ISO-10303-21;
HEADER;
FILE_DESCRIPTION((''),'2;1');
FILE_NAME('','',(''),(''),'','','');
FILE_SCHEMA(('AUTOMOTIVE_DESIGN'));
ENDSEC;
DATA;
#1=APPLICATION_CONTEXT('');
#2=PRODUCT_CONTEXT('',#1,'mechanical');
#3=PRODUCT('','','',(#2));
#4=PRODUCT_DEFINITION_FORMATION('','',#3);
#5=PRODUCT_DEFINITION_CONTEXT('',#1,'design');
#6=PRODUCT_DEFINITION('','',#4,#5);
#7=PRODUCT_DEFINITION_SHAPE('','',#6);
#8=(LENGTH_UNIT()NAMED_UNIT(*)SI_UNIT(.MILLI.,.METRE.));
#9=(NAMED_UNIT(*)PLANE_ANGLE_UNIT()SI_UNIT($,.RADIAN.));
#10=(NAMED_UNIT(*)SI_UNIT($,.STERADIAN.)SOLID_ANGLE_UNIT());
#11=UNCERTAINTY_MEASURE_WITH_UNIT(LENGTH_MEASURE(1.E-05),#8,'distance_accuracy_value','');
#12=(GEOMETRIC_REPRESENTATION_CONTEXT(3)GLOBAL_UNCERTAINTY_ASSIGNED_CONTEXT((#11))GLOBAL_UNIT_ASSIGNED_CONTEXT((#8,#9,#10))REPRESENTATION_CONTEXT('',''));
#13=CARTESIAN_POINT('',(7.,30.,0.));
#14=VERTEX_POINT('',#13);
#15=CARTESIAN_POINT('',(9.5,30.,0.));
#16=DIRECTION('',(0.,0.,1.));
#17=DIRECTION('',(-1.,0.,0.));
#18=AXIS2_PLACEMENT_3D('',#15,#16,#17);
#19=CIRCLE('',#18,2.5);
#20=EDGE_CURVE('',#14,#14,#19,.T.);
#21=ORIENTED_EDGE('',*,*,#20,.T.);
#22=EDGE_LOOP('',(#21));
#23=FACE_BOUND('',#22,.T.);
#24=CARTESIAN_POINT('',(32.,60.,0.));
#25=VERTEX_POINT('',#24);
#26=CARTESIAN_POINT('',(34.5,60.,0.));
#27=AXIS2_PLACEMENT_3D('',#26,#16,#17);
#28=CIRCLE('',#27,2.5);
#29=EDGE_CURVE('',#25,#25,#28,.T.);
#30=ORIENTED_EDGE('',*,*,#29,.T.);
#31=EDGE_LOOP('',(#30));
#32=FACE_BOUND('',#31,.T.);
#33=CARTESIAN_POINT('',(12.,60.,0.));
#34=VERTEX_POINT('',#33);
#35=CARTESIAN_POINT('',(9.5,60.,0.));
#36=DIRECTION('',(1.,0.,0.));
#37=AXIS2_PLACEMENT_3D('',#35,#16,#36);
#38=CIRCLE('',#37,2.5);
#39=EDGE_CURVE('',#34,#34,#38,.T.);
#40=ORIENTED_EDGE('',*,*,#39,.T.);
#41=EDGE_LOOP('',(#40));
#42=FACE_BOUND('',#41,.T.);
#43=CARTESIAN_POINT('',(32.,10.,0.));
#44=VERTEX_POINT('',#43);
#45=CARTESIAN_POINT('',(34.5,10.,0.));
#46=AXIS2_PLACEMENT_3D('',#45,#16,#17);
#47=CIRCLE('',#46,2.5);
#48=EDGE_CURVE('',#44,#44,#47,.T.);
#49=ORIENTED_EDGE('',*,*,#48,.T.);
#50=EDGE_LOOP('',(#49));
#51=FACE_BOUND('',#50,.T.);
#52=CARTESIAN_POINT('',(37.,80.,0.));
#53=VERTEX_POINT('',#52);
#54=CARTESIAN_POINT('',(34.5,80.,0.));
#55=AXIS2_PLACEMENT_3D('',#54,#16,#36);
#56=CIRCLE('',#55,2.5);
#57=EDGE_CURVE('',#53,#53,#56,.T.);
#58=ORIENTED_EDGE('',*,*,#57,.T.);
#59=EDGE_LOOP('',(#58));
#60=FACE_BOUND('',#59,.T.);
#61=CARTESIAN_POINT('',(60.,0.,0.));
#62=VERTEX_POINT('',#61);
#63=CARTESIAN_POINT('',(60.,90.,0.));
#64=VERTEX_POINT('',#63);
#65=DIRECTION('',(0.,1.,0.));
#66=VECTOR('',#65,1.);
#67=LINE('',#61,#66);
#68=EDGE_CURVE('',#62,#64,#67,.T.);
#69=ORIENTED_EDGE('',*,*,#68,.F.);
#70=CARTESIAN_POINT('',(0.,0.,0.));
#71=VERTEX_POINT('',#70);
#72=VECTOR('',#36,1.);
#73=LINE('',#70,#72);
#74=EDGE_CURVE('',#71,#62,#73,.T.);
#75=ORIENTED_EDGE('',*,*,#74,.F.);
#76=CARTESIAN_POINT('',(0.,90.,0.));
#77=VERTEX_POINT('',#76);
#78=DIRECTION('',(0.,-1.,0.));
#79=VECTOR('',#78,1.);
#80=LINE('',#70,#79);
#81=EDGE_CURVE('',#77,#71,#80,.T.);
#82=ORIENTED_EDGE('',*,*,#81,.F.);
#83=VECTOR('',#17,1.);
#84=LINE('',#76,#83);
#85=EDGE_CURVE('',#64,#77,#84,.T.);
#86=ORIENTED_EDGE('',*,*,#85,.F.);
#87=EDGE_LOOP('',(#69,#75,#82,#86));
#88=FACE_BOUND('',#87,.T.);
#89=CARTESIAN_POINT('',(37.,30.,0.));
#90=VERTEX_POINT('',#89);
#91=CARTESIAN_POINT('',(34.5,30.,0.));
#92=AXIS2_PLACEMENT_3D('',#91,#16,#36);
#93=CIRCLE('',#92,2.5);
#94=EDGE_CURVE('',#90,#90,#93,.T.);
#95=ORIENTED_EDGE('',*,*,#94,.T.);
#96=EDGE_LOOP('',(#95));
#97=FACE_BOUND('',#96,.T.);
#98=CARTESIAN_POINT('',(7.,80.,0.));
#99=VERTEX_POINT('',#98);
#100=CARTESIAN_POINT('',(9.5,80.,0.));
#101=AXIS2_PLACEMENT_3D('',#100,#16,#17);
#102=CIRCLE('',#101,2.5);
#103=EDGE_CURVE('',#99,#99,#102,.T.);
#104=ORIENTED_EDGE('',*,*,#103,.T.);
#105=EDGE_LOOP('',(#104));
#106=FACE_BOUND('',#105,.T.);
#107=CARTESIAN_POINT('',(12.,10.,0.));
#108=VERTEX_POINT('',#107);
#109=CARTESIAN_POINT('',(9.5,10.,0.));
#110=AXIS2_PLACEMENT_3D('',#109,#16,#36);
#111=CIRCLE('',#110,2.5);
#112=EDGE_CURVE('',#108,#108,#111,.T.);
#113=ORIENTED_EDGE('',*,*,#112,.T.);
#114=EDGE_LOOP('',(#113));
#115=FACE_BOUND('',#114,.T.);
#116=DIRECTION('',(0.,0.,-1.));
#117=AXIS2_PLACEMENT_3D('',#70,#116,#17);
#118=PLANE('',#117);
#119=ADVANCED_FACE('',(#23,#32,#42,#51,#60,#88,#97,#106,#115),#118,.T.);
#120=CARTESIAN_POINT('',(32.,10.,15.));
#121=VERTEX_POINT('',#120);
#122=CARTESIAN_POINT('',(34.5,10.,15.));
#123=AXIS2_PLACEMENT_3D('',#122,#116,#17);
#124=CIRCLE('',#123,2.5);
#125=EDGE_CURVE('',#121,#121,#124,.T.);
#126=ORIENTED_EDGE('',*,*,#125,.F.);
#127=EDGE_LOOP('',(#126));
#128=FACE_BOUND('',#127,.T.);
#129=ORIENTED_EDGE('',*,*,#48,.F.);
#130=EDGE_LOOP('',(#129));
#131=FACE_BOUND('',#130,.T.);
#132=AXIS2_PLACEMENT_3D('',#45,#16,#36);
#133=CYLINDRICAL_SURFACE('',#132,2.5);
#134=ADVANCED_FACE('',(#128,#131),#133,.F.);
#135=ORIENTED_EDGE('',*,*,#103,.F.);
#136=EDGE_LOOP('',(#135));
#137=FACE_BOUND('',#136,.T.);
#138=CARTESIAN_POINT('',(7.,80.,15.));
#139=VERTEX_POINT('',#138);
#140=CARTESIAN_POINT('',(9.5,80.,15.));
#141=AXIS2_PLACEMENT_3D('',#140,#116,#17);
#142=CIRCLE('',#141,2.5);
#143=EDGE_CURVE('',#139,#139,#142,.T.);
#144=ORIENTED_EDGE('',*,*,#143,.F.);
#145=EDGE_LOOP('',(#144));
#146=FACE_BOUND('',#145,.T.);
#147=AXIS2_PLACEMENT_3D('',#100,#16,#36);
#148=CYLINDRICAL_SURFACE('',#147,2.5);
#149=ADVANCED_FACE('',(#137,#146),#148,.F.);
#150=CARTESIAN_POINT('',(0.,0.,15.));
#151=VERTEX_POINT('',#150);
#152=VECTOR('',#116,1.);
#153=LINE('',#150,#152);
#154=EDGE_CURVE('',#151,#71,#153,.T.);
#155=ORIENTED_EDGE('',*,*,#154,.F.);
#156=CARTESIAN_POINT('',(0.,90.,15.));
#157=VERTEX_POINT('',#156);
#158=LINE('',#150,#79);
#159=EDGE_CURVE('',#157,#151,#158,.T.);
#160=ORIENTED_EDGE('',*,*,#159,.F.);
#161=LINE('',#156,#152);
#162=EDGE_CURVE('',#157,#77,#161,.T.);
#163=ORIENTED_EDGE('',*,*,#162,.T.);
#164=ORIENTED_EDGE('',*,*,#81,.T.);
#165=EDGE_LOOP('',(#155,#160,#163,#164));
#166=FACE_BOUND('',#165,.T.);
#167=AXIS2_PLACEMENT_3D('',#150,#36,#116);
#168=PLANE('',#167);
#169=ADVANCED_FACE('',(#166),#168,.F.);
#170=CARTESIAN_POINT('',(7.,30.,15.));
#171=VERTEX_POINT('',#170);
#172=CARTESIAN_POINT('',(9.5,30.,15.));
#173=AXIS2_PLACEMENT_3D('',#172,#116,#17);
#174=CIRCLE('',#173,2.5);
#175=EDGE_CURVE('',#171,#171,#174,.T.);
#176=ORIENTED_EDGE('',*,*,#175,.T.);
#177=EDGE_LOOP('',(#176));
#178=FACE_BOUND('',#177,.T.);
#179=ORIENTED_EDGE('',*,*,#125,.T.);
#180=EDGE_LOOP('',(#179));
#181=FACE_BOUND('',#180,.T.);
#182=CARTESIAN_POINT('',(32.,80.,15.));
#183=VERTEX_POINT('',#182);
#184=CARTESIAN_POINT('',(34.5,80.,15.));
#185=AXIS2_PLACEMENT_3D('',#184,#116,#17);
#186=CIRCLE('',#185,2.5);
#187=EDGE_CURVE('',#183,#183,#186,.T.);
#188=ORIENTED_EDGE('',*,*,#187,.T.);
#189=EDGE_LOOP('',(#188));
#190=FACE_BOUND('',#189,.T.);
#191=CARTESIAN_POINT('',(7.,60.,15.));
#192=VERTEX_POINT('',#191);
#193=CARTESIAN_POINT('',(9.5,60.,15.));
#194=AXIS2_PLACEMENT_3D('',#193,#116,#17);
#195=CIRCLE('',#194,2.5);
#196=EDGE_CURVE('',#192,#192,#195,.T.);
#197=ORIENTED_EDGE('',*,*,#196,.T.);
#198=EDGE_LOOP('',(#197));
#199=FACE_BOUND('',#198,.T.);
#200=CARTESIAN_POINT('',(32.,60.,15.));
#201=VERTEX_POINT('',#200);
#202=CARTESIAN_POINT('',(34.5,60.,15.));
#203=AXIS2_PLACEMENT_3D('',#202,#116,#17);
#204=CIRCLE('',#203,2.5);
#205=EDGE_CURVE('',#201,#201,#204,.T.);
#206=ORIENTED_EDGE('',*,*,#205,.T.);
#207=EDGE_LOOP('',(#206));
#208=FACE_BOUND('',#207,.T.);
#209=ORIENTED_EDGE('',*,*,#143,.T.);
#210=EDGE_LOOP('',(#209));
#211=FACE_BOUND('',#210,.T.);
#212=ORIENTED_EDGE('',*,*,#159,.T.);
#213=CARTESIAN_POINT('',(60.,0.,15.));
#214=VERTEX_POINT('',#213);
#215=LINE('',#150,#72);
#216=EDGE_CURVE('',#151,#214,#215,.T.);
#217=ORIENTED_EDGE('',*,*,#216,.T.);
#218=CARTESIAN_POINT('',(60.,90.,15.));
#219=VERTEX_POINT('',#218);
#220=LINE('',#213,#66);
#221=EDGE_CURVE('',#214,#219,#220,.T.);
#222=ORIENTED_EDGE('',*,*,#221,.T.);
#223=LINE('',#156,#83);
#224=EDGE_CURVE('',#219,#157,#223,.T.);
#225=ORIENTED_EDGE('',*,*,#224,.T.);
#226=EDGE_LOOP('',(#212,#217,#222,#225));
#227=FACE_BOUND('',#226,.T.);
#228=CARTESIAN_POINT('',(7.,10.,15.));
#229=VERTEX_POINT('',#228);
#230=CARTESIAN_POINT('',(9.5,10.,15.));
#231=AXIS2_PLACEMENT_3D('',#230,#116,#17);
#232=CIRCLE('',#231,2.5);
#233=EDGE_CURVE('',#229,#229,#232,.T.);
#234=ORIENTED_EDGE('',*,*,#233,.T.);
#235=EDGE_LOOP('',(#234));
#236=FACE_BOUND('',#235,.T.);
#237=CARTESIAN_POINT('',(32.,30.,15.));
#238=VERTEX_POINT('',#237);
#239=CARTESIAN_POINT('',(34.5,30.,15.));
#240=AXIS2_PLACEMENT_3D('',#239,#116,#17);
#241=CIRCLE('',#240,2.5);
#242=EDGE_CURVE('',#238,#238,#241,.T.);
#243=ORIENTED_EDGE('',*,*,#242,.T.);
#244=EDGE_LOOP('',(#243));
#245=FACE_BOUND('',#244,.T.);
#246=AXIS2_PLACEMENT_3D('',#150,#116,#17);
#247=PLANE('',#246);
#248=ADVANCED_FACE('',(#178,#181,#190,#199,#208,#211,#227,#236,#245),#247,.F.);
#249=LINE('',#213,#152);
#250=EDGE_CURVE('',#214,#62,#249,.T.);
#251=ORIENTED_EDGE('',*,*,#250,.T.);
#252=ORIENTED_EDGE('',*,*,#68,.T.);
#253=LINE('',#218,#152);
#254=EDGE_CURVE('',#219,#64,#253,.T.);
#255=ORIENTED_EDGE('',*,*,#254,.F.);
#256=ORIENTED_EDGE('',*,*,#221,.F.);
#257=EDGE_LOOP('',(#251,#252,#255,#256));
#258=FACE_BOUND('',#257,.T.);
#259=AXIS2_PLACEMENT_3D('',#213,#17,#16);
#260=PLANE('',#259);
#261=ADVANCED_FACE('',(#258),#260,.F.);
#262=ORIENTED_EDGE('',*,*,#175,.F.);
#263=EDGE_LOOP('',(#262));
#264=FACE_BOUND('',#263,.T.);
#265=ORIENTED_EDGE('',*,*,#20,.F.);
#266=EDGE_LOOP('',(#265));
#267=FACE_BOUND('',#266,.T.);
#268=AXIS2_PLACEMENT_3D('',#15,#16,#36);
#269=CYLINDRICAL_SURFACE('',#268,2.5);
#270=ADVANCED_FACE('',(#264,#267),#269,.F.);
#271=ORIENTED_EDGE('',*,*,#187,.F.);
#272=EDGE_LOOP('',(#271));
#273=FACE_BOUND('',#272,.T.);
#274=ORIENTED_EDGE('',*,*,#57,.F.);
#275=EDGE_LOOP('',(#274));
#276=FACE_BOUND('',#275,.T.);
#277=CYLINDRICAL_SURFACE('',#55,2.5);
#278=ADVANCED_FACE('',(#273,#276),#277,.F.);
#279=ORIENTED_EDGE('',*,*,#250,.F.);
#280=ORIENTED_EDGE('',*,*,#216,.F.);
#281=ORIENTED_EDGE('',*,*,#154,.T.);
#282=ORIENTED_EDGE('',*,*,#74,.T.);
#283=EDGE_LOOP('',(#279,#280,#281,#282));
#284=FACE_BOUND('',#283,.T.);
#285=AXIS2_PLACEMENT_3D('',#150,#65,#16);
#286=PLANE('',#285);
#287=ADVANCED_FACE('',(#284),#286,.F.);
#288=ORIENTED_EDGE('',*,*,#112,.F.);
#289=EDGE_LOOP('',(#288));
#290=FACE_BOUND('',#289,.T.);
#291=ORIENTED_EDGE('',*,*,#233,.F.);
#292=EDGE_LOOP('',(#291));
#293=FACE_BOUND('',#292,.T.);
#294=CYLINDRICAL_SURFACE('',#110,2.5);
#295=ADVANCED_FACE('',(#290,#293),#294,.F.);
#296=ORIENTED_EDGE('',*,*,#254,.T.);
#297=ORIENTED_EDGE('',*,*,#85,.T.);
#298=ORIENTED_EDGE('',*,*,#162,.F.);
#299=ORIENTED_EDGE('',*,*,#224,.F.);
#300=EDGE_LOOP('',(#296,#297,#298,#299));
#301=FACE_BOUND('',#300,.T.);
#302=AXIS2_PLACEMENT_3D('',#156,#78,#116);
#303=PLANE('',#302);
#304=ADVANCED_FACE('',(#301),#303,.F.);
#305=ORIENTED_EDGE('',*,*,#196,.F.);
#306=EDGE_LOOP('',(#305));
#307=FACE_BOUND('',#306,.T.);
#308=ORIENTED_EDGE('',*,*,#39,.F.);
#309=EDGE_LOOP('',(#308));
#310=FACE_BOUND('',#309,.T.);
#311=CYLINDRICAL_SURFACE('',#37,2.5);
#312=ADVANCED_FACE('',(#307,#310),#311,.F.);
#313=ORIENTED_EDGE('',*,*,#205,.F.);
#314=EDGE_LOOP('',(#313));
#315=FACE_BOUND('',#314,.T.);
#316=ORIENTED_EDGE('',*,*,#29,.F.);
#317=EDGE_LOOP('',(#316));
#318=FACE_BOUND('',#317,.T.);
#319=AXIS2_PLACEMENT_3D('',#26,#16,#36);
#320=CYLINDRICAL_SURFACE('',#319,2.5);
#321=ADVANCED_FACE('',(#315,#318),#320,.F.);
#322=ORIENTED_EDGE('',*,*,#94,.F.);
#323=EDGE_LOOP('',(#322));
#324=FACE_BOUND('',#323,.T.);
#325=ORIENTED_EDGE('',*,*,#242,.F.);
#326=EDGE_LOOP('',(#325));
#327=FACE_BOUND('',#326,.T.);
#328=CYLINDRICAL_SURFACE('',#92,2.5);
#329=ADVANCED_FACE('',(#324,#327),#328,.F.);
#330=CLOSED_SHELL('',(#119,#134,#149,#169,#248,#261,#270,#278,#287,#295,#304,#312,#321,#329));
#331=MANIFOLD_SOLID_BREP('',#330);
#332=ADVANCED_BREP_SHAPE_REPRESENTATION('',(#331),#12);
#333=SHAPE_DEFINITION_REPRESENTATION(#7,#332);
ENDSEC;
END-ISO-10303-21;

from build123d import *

# Parameters (mm, degrees)
ESQUISSE1_W                  = 60
ESQUISSE1_H                  = 90
BOSS_EXTRU_1_DEPTH           = 15
ENL_V_MAT_EXTRU_1_DEPTH      = 110.201648339
ENL_V_MAT_EXTRU_1_DEPTH_BACK = 110.201648339
ESQUISSE2_R                  = 2.5


with BuildPart() as part:
    # Esquisse1 → Boss.-Extru.1 (new body)
    with BuildSketch(Plane.XY):
        with Locations((30, 45)):
            Rectangle(ESQUISSE1_W, ESQUISSE1_H)
    extrude(amount=BOSS_EXTRU_1_DEPTH)

    # Esquisse2 → Enlèv. mat.-Extru.1 (cut, two sides: drawn at the far end of the back side and taken through both)
    with BuildSketch(Plane.XY.offset(15).offset(-ENL_V_MAT_EXTRU_1_DEPTH_BACK)):
        with Locations((9.5, 10)):
            Circle(ESQUISSE2_R)
        with Locations(Location((34.5, 10, 0), (0, 0, 180))):
            Circle(ESQUISSE2_R)
        with Locations((34.5, 30)):
            Circle(ESQUISSE2_R)
        with Locations(Location((9.5, 30, 0), (0, 0, 180))):
            Circle(ESQUISSE2_R)
        with Locations((9.5, 60)):
            Circle(ESQUISSE2_R)
        with Locations(Location((34.5, 60, 0), (0, 0, 180))):
            Circle(ESQUISSE2_R)
        with Locations((34.5, 80)):
            Circle(ESQUISSE2_R)
        with Locations(Location((9.5, 80, 0), (0, 0, 180))):
            Circle(ESQUISSE2_R)
    extrude(amount=ENL_V_MAT_EXTRU_1_DEPTH + ENL_V_MAT_EXTRU_1_DEPTH_BACK, mode=Mode.SUBTRACT)


solid = part.part
